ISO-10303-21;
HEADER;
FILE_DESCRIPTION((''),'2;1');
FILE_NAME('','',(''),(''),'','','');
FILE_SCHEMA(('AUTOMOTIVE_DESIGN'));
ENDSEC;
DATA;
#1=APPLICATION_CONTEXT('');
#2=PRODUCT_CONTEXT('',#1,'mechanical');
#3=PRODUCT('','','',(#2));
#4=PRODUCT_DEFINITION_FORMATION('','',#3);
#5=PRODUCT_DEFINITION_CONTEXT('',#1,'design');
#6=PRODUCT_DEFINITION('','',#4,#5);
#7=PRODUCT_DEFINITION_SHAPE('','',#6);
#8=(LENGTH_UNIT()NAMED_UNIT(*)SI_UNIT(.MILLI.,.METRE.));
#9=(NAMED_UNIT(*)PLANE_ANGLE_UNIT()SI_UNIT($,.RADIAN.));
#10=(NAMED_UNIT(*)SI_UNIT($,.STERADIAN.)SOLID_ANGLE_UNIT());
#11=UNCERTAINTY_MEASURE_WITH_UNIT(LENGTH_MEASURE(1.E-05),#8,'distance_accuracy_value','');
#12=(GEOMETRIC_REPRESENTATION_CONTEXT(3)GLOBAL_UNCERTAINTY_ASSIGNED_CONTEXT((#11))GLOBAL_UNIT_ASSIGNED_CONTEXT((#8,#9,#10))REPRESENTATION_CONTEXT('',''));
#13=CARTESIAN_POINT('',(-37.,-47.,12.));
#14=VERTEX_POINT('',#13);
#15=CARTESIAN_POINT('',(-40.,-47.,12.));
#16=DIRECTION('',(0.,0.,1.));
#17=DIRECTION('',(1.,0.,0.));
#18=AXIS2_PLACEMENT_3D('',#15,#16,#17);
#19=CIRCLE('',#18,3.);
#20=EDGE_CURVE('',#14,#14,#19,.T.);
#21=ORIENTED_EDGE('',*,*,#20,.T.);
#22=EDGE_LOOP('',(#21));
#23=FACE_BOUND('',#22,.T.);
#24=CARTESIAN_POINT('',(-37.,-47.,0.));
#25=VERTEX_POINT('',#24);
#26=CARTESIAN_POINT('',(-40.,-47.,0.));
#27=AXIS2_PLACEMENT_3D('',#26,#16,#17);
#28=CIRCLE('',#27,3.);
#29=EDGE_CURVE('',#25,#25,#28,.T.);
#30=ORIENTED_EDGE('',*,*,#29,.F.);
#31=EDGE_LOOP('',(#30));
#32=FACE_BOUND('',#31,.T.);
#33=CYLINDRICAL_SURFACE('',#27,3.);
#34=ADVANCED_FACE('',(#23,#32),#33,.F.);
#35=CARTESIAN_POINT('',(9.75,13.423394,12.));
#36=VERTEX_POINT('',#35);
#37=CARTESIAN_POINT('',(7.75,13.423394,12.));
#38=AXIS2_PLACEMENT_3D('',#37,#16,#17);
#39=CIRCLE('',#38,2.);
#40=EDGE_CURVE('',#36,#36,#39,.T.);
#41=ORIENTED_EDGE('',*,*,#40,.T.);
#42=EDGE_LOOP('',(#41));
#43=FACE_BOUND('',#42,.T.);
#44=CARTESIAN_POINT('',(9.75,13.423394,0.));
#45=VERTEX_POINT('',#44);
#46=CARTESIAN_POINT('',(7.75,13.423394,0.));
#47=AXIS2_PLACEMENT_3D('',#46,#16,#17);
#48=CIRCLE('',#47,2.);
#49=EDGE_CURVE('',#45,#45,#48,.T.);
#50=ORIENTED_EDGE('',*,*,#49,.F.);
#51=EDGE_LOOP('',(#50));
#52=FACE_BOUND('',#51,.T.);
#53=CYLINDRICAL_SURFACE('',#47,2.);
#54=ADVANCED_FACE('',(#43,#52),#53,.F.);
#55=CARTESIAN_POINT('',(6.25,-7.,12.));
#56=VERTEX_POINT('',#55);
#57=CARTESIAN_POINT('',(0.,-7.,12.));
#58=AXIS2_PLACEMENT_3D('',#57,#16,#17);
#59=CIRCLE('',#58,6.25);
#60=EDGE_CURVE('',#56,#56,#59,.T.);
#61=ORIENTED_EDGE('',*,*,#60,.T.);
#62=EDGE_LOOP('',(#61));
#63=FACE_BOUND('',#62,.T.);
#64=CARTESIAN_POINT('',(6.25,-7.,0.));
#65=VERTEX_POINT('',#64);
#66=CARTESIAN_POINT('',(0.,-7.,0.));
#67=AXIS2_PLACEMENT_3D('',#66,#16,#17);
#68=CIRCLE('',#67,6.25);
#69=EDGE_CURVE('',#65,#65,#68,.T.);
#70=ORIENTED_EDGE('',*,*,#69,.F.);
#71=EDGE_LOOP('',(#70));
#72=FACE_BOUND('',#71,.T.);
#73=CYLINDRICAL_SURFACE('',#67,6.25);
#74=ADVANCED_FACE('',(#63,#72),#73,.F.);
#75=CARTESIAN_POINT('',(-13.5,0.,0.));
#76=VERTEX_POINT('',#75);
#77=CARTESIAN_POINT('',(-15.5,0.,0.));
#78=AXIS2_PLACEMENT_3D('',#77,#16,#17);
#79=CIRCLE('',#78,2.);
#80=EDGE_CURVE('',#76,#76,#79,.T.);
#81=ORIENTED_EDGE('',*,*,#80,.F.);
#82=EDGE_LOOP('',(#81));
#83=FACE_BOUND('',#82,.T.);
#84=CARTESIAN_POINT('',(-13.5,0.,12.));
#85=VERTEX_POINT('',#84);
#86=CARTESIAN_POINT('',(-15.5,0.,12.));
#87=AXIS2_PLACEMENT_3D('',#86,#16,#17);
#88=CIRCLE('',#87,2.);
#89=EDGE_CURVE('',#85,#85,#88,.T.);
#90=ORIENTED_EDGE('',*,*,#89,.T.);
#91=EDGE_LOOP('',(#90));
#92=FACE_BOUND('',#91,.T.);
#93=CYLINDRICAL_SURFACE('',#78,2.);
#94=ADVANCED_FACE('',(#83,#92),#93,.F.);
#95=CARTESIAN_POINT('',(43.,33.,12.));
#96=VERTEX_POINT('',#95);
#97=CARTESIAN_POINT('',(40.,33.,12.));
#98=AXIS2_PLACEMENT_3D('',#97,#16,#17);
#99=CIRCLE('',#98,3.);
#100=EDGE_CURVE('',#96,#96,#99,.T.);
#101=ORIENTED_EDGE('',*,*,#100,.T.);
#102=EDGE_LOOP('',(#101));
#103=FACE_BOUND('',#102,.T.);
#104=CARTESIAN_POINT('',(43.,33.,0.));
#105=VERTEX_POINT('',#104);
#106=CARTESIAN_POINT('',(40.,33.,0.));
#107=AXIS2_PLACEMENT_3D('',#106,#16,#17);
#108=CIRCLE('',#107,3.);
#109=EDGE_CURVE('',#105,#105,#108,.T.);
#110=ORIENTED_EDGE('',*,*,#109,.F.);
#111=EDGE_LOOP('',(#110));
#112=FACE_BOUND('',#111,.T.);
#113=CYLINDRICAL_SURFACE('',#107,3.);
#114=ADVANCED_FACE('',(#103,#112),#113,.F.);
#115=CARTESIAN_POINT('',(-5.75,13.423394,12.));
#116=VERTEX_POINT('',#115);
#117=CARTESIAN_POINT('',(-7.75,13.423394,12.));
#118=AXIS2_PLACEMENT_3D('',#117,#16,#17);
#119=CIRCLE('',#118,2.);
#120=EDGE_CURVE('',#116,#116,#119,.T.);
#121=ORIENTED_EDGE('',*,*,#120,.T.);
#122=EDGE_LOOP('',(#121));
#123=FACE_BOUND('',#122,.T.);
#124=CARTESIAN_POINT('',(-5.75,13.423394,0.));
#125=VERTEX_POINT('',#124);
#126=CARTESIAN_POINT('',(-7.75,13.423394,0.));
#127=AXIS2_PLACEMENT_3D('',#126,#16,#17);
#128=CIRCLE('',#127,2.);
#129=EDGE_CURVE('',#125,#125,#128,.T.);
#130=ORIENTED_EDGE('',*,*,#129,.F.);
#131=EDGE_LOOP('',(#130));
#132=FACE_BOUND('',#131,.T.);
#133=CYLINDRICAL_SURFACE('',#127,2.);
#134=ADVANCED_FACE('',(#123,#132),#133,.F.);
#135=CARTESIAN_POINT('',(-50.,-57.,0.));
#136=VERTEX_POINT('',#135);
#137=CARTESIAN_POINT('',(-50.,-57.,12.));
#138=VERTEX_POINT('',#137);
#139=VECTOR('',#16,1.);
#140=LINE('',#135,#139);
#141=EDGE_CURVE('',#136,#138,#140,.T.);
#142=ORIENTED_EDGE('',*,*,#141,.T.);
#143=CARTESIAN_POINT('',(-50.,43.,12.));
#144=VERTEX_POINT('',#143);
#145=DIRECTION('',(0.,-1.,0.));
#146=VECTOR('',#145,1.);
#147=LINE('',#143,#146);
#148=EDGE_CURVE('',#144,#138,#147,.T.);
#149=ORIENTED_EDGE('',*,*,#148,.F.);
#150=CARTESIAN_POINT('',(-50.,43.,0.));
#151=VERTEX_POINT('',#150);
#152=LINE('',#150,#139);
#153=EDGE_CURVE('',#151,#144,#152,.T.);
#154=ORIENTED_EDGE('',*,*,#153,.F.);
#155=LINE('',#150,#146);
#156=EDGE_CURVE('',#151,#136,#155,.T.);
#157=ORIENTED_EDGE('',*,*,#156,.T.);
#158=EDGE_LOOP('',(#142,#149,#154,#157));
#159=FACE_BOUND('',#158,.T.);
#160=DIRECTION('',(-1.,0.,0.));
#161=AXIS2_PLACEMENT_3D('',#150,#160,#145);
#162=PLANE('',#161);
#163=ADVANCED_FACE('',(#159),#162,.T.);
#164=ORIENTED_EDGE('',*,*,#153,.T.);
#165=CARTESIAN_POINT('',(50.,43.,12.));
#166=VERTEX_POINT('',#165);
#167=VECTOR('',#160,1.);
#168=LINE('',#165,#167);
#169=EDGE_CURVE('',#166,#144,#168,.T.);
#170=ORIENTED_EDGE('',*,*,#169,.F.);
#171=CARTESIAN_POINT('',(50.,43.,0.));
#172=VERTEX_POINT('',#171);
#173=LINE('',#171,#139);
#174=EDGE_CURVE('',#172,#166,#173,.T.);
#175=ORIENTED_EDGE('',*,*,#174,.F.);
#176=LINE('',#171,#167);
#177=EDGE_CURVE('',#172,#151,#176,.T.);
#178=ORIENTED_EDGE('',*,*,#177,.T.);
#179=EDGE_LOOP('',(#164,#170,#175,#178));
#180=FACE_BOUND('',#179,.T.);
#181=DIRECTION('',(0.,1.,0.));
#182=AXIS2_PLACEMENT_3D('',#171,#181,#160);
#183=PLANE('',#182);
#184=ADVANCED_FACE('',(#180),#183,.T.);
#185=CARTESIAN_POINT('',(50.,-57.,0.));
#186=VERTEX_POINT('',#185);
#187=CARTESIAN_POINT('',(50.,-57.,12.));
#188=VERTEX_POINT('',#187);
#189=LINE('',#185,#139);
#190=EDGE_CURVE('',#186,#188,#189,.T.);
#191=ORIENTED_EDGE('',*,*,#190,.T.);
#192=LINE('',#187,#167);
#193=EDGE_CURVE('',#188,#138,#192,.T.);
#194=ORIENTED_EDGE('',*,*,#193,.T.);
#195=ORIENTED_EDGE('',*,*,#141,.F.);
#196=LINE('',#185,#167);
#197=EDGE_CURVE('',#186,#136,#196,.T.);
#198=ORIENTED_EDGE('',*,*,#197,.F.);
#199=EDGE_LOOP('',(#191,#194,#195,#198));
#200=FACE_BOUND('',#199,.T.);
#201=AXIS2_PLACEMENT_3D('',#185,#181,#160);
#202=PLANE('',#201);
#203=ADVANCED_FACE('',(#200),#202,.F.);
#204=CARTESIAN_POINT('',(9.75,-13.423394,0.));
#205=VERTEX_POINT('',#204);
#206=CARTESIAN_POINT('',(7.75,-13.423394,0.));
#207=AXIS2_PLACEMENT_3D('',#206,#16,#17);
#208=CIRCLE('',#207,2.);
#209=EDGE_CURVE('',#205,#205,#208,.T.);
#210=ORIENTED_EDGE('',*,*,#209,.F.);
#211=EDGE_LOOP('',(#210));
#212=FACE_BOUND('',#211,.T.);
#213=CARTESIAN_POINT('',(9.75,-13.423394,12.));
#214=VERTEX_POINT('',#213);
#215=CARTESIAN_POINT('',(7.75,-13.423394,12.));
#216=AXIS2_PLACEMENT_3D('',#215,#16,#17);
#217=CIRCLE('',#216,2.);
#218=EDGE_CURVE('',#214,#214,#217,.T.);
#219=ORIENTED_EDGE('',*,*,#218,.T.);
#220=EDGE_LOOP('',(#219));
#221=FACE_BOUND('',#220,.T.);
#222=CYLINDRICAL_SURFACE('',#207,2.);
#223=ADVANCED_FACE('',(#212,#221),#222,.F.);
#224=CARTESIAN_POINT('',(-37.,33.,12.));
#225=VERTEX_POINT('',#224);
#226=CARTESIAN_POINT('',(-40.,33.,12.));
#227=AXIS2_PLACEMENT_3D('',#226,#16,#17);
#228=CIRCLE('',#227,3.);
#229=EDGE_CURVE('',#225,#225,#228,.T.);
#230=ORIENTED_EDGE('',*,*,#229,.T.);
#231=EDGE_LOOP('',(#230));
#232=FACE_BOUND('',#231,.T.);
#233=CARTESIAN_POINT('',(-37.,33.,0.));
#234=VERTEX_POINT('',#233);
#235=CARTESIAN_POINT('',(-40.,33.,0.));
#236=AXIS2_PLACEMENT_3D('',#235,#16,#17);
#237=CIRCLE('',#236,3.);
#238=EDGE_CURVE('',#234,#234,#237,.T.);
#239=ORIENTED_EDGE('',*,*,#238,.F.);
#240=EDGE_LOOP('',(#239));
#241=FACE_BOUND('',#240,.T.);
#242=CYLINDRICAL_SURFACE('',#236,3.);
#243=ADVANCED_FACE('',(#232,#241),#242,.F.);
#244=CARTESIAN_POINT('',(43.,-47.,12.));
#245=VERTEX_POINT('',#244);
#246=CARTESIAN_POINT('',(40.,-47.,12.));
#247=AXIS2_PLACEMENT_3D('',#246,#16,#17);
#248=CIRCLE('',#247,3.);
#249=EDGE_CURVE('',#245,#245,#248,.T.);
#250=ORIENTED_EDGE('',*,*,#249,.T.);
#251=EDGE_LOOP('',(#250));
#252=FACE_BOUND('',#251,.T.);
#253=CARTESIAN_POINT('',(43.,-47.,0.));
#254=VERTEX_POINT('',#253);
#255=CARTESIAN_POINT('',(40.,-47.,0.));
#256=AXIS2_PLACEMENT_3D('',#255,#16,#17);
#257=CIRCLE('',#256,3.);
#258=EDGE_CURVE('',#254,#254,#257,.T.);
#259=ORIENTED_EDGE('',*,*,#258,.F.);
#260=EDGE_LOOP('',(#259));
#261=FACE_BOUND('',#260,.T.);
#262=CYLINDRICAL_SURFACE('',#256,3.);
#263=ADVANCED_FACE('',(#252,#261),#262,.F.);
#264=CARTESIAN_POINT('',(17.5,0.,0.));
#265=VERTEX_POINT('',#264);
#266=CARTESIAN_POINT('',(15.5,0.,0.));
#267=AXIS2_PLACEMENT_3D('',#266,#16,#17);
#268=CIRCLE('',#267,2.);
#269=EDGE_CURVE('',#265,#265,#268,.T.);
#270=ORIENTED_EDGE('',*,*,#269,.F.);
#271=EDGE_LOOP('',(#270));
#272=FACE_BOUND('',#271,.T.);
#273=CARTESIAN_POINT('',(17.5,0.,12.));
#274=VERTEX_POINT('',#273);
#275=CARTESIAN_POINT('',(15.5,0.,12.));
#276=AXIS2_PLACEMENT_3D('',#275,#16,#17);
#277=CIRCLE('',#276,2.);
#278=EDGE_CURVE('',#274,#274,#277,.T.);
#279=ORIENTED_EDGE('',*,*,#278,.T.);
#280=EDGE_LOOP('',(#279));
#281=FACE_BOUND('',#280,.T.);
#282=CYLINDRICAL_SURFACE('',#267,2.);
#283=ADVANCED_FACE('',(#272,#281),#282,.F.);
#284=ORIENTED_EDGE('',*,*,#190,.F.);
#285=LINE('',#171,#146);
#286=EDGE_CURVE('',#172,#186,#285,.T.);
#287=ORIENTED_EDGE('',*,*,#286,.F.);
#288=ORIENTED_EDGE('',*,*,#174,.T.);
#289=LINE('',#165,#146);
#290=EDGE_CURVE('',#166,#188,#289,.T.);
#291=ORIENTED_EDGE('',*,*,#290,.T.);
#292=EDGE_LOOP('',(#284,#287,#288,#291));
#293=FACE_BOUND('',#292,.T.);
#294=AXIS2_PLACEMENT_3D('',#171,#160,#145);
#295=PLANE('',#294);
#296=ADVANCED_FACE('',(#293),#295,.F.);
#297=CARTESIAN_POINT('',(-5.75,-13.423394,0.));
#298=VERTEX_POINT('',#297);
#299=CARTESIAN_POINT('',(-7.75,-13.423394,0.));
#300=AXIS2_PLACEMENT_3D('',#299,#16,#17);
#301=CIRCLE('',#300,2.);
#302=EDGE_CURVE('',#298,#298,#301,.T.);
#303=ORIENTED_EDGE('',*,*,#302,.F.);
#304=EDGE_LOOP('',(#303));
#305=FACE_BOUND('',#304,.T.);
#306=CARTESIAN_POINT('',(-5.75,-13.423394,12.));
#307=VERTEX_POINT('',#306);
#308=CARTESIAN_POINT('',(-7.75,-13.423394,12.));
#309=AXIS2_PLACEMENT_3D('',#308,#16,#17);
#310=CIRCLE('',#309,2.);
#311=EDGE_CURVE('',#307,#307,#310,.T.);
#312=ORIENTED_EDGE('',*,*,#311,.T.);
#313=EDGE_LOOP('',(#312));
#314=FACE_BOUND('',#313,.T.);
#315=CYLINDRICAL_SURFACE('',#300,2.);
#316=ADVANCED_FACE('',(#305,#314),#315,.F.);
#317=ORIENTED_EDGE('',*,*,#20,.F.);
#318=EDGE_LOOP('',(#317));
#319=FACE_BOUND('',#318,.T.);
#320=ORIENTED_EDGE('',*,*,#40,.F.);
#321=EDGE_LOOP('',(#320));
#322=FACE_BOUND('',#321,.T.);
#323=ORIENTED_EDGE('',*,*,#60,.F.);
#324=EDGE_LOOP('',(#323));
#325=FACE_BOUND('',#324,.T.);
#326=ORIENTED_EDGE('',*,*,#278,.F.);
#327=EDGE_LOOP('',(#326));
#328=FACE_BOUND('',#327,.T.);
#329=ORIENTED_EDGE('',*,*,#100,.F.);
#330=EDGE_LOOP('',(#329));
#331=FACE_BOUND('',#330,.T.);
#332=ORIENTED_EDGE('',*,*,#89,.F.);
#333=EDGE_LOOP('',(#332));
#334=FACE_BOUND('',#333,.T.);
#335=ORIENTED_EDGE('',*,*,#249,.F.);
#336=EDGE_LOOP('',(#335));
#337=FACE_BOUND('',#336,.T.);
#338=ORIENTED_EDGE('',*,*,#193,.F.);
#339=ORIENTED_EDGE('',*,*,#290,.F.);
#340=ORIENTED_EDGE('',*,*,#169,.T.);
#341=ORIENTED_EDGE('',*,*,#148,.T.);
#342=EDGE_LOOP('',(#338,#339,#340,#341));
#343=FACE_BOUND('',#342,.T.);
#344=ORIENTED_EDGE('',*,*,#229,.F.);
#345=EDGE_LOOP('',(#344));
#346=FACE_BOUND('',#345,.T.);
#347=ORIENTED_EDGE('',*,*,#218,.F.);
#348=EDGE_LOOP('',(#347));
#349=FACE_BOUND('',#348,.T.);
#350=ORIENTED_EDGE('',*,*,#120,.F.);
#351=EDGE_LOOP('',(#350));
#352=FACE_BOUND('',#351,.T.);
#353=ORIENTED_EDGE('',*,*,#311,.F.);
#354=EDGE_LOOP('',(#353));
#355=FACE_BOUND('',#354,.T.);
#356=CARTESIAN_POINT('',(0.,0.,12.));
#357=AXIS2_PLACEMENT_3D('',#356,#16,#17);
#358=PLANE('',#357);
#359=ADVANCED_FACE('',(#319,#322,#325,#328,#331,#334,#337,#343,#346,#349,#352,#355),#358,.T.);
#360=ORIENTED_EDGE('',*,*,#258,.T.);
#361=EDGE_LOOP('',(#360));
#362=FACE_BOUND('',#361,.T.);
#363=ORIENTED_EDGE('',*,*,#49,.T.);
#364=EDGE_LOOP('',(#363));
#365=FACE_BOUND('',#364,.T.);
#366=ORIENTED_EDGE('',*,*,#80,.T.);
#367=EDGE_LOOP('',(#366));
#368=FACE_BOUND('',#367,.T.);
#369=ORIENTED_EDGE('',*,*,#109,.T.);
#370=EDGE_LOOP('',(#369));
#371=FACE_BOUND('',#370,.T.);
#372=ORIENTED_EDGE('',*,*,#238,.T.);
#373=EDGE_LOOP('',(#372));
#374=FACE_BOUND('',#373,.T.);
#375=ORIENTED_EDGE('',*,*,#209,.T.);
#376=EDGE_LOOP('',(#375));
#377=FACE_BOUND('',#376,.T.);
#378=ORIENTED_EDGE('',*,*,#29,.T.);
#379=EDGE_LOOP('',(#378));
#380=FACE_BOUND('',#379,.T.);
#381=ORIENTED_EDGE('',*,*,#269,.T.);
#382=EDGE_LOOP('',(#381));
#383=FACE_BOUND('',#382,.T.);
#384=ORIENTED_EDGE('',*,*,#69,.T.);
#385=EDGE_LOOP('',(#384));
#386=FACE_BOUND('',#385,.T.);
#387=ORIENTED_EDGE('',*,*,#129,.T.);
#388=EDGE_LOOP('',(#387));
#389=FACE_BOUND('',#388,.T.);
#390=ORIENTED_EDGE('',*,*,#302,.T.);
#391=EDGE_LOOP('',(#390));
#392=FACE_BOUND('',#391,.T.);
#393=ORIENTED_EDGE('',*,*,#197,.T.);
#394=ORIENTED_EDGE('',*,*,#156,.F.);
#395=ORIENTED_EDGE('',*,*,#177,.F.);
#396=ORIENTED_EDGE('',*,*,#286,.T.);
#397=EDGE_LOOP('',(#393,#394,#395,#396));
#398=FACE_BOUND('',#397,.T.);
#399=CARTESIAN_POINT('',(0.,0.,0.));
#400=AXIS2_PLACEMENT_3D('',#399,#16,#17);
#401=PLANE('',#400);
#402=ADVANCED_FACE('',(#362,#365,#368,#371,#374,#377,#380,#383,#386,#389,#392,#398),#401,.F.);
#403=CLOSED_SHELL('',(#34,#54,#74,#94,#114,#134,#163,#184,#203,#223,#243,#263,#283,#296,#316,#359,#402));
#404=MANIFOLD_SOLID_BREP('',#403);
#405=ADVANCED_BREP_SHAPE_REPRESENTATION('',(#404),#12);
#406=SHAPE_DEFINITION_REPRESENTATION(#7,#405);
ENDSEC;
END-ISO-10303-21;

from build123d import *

# Parameters (mm, degrees)
ESQUISSE1_R             = 18.5
BOSS_EXTRU_1_DEPTH      = 12
ESQUISSE2_R             = 2
ENL_V_MAT_EXTRU_1_DEPTH = 13
ESQUISSE3_R             = 6.25
ENL_V_MAT_EXTRU_2_DEPTH = 13
ESQUISSE4_W             = 100
ESQUISSE4_H             = 100
ESQUISSE4_R             = 18.5
BOSS_EXTRU_2_DEPTH      = 12
ESQUISSE5_R             = 3
ENL_V_MAT_EXTRU_3_DEPTH = 12


with BuildPart() as part:
    # Esquisse1 → Boss.-Extru.1 (new body)
    with BuildSketch(Plane.XY):
        Circle(ESQUISSE1_R)
    extrude(amount=BOSS_EXTRU_1_DEPTH)

    # Esquisse2 → Enlèv. mat.-Extru.1 (cut, through all)
    with BuildSketch(Plane.XY.offset(12)):
        with Locations((15.5, 0)):
            Circle(ESQUISSE2_R)
        with Locations((7.75, -13.423393759)):
            Circle(ESQUISSE2_R)
        with Locations((-7.75, -13.423393759)):
            Circle(ESQUISSE2_R)
        with Locations((-15.5, 0)):
            Circle(ESQUISSE2_R)
        with Locations((-7.75, 13.423393759)):
            Circle(ESQUISSE2_R)
        with Locations((7.75, 13.423393759)):
            Circle(ESQUISSE2_R)
    extrude(amount=-ENL_V_MAT_EXTRU_1_DEPTH, mode=Mode.SUBTRACT)

    # Esquisse3 → Enlèv. mat.-Extru.2 (cut, through all)
    with BuildSketch(Plane.XY.offset(12)):
        with Locations((0, -7)):
            Circle(ESQUISSE3_R)
    extrude(amount=-ENL_V_MAT_EXTRU_2_DEPTH, mode=Mode.SUBTRACT)

    # Esquisse4 → Boss.-Extru.2 (add)
    with BuildSketch(Plane.XY.offset(12)):
        with Locations((0, -7)):
            Rectangle(ESQUISSE4_W, ESQUISSE4_H)
        Circle(ESQUISSE4_R, mode=Mode.SUBTRACT)
    extrude(amount=-BOSS_EXTRU_2_DEPTH)

    # Esquisse5 → Enlèv. mat.-Extru.3 (cut)
    with BuildSketch(Plane.XY.offset(12)):
        with Locations((-40, 33)):
            Circle(ESQUISSE5_R)
        with Locations((40, 33)):
            Circle(ESQUISSE5_R)
        with Locations((40, -47)):
            Circle(ESQUISSE5_R)
        with Locations((-40, -47)):
            Circle(ESQUISSE5_R)
    extrude(amount=-ENL_V_MAT_EXTRU_3_DEPTH, mode=Mode.SUBTRACT)


solid = part.part
